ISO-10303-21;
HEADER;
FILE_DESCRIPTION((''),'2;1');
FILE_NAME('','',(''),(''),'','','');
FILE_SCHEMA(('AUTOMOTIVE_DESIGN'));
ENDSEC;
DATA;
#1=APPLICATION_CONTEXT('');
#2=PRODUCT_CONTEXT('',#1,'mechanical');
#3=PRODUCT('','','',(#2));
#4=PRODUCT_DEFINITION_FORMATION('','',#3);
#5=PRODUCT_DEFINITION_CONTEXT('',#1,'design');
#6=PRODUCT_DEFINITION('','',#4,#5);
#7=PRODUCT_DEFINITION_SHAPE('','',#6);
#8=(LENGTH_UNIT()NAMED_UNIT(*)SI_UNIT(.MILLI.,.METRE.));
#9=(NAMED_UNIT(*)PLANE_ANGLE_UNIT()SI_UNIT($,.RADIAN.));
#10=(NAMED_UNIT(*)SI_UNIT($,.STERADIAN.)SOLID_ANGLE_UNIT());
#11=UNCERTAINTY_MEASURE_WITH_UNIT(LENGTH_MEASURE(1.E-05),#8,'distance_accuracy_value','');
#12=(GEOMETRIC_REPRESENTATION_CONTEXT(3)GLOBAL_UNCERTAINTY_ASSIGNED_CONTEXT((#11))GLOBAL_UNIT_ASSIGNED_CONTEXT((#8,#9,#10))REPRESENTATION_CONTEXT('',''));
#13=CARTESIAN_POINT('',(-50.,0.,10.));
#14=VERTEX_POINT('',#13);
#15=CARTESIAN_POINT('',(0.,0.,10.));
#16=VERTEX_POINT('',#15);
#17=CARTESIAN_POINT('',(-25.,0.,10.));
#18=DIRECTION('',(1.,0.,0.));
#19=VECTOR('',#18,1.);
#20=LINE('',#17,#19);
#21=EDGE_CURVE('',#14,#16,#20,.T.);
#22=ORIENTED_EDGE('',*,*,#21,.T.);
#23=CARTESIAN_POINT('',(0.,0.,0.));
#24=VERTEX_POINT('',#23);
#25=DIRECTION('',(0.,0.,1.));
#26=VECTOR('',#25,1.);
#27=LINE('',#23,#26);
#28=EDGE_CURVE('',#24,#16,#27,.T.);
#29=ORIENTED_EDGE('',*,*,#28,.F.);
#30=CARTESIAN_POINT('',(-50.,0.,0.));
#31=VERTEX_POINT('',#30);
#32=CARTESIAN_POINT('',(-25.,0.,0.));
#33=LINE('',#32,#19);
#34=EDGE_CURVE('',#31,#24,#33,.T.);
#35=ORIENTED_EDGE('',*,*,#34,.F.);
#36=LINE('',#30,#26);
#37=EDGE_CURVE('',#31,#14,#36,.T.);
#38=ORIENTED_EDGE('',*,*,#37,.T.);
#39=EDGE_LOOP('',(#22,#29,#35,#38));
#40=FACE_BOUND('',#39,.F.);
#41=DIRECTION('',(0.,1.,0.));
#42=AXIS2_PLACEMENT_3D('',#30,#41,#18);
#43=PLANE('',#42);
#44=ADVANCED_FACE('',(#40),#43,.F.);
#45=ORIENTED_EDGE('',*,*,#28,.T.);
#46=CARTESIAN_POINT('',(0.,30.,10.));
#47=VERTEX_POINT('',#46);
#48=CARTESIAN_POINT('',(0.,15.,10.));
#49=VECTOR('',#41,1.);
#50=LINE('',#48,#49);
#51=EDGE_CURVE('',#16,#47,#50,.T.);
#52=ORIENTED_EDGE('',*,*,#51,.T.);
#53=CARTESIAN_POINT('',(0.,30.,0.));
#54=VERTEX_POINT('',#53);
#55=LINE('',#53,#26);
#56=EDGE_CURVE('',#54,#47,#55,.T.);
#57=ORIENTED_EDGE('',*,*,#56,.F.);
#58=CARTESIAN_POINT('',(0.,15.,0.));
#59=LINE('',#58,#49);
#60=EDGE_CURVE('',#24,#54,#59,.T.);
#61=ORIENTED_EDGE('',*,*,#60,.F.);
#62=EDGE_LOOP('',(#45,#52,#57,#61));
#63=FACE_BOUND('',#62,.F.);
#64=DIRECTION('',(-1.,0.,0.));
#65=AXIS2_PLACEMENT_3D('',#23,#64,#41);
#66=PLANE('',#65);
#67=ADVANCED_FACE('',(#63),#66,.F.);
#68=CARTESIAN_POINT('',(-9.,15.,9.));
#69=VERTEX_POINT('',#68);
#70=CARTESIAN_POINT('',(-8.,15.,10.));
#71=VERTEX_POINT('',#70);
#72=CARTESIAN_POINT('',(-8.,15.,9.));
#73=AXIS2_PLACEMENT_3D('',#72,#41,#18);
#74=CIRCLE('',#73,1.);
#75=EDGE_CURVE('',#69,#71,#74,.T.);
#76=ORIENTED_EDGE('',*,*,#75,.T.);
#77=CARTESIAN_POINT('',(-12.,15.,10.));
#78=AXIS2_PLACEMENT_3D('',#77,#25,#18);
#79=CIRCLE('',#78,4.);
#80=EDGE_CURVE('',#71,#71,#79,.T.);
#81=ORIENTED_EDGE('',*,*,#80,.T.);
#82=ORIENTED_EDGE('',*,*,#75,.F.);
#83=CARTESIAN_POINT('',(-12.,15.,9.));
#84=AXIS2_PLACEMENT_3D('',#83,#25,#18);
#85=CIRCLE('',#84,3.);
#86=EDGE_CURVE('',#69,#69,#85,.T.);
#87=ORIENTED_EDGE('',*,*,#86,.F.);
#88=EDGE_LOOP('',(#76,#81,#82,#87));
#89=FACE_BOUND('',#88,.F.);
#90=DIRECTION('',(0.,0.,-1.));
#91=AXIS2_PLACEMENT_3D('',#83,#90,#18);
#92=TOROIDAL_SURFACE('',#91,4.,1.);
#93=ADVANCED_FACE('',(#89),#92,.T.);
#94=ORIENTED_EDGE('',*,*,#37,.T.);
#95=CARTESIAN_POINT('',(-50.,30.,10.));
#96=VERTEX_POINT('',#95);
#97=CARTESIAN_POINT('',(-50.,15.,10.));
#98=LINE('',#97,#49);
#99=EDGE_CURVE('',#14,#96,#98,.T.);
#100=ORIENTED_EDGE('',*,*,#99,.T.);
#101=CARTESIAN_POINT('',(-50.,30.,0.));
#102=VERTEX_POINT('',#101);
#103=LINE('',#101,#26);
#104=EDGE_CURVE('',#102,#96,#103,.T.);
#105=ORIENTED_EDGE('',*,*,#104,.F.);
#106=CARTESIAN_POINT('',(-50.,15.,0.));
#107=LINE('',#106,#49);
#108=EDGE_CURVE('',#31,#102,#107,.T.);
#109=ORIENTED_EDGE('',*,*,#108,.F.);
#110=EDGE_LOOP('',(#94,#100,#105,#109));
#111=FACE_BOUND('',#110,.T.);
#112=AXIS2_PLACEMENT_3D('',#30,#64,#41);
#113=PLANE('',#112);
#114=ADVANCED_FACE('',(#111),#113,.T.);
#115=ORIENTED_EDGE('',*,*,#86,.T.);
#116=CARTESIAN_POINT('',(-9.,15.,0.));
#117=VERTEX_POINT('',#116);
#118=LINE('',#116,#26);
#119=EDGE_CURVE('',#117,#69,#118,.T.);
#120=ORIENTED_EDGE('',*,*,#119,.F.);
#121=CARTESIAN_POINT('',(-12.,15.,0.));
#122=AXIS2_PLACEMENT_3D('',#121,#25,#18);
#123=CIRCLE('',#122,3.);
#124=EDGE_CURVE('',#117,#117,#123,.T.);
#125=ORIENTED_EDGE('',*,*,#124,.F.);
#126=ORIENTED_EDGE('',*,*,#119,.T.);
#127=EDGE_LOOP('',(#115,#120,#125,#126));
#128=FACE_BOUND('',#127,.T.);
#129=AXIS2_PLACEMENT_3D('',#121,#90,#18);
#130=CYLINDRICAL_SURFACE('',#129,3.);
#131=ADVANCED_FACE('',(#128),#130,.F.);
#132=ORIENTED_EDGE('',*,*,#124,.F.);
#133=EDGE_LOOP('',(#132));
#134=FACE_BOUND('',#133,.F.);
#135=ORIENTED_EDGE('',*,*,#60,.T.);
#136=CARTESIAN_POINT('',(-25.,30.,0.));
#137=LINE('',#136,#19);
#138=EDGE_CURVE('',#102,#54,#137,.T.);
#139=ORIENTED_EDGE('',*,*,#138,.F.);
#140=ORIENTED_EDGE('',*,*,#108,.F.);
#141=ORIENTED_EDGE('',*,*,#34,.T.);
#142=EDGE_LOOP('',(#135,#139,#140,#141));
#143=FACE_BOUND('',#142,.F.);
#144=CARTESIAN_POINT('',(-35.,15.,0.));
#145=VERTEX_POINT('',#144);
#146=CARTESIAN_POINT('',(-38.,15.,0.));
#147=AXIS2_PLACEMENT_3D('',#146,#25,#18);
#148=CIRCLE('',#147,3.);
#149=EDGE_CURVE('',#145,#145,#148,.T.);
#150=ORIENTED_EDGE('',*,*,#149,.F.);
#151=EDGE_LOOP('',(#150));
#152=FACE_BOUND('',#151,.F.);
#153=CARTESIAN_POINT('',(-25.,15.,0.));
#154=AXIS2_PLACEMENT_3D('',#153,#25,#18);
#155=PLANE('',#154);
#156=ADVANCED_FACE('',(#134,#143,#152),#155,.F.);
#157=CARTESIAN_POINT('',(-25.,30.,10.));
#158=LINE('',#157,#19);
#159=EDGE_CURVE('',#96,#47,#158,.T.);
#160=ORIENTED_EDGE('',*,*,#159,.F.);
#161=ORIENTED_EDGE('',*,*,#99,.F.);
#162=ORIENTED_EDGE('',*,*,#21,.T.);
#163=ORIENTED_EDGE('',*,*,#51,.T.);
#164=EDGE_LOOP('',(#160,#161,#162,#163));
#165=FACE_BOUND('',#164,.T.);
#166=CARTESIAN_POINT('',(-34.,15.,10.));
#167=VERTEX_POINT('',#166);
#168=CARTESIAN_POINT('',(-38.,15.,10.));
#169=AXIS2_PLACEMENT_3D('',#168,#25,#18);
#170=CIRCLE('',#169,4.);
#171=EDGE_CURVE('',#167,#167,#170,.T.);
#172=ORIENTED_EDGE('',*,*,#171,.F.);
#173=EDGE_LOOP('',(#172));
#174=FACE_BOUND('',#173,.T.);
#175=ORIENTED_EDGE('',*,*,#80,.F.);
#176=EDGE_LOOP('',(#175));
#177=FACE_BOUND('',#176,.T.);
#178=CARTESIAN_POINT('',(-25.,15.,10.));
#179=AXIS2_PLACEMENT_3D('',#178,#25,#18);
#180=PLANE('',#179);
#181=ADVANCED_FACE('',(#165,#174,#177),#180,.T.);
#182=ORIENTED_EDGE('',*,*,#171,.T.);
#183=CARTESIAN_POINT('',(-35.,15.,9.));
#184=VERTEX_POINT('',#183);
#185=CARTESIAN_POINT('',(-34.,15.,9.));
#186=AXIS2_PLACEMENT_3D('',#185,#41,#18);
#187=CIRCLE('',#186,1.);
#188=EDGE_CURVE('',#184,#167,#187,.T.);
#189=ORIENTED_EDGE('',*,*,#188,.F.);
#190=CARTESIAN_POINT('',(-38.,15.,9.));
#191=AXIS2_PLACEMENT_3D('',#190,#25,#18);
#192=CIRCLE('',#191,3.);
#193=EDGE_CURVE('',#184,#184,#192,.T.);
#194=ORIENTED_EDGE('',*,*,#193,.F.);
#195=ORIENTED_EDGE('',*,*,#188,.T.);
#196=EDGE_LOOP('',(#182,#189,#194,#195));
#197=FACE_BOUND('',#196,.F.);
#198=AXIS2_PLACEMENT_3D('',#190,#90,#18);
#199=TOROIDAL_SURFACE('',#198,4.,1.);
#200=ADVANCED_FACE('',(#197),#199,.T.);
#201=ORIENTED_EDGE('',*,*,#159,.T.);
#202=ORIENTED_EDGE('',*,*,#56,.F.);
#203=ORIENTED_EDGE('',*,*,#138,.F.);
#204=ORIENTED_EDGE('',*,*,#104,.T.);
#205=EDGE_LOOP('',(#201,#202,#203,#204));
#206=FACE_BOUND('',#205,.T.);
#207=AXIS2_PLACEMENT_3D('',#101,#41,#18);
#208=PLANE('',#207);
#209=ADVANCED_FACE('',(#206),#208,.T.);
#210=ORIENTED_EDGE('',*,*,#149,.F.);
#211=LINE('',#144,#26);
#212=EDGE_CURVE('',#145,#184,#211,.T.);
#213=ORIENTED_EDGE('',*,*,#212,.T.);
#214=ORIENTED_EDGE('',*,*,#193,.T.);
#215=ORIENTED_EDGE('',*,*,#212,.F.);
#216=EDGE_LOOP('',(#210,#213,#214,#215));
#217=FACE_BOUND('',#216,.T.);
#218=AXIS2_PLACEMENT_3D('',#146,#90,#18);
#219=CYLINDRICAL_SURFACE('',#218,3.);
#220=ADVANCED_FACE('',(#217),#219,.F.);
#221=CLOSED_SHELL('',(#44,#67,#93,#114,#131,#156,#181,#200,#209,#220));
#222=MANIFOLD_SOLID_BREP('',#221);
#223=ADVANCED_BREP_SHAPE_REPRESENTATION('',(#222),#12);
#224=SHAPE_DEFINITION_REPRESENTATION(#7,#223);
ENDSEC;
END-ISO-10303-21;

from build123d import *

# Parameters (mm, degrees)
F0_W     = 50
F0_H     = 30
F0_R     = 3
F1_DEPTH = 10
F2_R     = 1


with BuildPart() as f1:
    # F0 (on Top) → F1 (new body)
    with BuildSketch(Plane.XY):
        with Locations((-25, 15)):
            Rectangle(F0_W, F0_H)
        with Locations((-38, 15)):
            Circle(F0_R, mode=Mode.SUBTRACT)
        with Locations((-12, 15)):
            Circle(F0_R, mode=Mode.SUBTRACT)
    extrude(amount=F1_DEPTH)

    # F2
    f2_edges = [f1.edges().sort_by_distance(p)[0] for p in [
        (-41, 15, 10),
        (-15, 15, 10),
    ]]
    fillet(f2_edges, radius=F2_R)


solid = f1.part
